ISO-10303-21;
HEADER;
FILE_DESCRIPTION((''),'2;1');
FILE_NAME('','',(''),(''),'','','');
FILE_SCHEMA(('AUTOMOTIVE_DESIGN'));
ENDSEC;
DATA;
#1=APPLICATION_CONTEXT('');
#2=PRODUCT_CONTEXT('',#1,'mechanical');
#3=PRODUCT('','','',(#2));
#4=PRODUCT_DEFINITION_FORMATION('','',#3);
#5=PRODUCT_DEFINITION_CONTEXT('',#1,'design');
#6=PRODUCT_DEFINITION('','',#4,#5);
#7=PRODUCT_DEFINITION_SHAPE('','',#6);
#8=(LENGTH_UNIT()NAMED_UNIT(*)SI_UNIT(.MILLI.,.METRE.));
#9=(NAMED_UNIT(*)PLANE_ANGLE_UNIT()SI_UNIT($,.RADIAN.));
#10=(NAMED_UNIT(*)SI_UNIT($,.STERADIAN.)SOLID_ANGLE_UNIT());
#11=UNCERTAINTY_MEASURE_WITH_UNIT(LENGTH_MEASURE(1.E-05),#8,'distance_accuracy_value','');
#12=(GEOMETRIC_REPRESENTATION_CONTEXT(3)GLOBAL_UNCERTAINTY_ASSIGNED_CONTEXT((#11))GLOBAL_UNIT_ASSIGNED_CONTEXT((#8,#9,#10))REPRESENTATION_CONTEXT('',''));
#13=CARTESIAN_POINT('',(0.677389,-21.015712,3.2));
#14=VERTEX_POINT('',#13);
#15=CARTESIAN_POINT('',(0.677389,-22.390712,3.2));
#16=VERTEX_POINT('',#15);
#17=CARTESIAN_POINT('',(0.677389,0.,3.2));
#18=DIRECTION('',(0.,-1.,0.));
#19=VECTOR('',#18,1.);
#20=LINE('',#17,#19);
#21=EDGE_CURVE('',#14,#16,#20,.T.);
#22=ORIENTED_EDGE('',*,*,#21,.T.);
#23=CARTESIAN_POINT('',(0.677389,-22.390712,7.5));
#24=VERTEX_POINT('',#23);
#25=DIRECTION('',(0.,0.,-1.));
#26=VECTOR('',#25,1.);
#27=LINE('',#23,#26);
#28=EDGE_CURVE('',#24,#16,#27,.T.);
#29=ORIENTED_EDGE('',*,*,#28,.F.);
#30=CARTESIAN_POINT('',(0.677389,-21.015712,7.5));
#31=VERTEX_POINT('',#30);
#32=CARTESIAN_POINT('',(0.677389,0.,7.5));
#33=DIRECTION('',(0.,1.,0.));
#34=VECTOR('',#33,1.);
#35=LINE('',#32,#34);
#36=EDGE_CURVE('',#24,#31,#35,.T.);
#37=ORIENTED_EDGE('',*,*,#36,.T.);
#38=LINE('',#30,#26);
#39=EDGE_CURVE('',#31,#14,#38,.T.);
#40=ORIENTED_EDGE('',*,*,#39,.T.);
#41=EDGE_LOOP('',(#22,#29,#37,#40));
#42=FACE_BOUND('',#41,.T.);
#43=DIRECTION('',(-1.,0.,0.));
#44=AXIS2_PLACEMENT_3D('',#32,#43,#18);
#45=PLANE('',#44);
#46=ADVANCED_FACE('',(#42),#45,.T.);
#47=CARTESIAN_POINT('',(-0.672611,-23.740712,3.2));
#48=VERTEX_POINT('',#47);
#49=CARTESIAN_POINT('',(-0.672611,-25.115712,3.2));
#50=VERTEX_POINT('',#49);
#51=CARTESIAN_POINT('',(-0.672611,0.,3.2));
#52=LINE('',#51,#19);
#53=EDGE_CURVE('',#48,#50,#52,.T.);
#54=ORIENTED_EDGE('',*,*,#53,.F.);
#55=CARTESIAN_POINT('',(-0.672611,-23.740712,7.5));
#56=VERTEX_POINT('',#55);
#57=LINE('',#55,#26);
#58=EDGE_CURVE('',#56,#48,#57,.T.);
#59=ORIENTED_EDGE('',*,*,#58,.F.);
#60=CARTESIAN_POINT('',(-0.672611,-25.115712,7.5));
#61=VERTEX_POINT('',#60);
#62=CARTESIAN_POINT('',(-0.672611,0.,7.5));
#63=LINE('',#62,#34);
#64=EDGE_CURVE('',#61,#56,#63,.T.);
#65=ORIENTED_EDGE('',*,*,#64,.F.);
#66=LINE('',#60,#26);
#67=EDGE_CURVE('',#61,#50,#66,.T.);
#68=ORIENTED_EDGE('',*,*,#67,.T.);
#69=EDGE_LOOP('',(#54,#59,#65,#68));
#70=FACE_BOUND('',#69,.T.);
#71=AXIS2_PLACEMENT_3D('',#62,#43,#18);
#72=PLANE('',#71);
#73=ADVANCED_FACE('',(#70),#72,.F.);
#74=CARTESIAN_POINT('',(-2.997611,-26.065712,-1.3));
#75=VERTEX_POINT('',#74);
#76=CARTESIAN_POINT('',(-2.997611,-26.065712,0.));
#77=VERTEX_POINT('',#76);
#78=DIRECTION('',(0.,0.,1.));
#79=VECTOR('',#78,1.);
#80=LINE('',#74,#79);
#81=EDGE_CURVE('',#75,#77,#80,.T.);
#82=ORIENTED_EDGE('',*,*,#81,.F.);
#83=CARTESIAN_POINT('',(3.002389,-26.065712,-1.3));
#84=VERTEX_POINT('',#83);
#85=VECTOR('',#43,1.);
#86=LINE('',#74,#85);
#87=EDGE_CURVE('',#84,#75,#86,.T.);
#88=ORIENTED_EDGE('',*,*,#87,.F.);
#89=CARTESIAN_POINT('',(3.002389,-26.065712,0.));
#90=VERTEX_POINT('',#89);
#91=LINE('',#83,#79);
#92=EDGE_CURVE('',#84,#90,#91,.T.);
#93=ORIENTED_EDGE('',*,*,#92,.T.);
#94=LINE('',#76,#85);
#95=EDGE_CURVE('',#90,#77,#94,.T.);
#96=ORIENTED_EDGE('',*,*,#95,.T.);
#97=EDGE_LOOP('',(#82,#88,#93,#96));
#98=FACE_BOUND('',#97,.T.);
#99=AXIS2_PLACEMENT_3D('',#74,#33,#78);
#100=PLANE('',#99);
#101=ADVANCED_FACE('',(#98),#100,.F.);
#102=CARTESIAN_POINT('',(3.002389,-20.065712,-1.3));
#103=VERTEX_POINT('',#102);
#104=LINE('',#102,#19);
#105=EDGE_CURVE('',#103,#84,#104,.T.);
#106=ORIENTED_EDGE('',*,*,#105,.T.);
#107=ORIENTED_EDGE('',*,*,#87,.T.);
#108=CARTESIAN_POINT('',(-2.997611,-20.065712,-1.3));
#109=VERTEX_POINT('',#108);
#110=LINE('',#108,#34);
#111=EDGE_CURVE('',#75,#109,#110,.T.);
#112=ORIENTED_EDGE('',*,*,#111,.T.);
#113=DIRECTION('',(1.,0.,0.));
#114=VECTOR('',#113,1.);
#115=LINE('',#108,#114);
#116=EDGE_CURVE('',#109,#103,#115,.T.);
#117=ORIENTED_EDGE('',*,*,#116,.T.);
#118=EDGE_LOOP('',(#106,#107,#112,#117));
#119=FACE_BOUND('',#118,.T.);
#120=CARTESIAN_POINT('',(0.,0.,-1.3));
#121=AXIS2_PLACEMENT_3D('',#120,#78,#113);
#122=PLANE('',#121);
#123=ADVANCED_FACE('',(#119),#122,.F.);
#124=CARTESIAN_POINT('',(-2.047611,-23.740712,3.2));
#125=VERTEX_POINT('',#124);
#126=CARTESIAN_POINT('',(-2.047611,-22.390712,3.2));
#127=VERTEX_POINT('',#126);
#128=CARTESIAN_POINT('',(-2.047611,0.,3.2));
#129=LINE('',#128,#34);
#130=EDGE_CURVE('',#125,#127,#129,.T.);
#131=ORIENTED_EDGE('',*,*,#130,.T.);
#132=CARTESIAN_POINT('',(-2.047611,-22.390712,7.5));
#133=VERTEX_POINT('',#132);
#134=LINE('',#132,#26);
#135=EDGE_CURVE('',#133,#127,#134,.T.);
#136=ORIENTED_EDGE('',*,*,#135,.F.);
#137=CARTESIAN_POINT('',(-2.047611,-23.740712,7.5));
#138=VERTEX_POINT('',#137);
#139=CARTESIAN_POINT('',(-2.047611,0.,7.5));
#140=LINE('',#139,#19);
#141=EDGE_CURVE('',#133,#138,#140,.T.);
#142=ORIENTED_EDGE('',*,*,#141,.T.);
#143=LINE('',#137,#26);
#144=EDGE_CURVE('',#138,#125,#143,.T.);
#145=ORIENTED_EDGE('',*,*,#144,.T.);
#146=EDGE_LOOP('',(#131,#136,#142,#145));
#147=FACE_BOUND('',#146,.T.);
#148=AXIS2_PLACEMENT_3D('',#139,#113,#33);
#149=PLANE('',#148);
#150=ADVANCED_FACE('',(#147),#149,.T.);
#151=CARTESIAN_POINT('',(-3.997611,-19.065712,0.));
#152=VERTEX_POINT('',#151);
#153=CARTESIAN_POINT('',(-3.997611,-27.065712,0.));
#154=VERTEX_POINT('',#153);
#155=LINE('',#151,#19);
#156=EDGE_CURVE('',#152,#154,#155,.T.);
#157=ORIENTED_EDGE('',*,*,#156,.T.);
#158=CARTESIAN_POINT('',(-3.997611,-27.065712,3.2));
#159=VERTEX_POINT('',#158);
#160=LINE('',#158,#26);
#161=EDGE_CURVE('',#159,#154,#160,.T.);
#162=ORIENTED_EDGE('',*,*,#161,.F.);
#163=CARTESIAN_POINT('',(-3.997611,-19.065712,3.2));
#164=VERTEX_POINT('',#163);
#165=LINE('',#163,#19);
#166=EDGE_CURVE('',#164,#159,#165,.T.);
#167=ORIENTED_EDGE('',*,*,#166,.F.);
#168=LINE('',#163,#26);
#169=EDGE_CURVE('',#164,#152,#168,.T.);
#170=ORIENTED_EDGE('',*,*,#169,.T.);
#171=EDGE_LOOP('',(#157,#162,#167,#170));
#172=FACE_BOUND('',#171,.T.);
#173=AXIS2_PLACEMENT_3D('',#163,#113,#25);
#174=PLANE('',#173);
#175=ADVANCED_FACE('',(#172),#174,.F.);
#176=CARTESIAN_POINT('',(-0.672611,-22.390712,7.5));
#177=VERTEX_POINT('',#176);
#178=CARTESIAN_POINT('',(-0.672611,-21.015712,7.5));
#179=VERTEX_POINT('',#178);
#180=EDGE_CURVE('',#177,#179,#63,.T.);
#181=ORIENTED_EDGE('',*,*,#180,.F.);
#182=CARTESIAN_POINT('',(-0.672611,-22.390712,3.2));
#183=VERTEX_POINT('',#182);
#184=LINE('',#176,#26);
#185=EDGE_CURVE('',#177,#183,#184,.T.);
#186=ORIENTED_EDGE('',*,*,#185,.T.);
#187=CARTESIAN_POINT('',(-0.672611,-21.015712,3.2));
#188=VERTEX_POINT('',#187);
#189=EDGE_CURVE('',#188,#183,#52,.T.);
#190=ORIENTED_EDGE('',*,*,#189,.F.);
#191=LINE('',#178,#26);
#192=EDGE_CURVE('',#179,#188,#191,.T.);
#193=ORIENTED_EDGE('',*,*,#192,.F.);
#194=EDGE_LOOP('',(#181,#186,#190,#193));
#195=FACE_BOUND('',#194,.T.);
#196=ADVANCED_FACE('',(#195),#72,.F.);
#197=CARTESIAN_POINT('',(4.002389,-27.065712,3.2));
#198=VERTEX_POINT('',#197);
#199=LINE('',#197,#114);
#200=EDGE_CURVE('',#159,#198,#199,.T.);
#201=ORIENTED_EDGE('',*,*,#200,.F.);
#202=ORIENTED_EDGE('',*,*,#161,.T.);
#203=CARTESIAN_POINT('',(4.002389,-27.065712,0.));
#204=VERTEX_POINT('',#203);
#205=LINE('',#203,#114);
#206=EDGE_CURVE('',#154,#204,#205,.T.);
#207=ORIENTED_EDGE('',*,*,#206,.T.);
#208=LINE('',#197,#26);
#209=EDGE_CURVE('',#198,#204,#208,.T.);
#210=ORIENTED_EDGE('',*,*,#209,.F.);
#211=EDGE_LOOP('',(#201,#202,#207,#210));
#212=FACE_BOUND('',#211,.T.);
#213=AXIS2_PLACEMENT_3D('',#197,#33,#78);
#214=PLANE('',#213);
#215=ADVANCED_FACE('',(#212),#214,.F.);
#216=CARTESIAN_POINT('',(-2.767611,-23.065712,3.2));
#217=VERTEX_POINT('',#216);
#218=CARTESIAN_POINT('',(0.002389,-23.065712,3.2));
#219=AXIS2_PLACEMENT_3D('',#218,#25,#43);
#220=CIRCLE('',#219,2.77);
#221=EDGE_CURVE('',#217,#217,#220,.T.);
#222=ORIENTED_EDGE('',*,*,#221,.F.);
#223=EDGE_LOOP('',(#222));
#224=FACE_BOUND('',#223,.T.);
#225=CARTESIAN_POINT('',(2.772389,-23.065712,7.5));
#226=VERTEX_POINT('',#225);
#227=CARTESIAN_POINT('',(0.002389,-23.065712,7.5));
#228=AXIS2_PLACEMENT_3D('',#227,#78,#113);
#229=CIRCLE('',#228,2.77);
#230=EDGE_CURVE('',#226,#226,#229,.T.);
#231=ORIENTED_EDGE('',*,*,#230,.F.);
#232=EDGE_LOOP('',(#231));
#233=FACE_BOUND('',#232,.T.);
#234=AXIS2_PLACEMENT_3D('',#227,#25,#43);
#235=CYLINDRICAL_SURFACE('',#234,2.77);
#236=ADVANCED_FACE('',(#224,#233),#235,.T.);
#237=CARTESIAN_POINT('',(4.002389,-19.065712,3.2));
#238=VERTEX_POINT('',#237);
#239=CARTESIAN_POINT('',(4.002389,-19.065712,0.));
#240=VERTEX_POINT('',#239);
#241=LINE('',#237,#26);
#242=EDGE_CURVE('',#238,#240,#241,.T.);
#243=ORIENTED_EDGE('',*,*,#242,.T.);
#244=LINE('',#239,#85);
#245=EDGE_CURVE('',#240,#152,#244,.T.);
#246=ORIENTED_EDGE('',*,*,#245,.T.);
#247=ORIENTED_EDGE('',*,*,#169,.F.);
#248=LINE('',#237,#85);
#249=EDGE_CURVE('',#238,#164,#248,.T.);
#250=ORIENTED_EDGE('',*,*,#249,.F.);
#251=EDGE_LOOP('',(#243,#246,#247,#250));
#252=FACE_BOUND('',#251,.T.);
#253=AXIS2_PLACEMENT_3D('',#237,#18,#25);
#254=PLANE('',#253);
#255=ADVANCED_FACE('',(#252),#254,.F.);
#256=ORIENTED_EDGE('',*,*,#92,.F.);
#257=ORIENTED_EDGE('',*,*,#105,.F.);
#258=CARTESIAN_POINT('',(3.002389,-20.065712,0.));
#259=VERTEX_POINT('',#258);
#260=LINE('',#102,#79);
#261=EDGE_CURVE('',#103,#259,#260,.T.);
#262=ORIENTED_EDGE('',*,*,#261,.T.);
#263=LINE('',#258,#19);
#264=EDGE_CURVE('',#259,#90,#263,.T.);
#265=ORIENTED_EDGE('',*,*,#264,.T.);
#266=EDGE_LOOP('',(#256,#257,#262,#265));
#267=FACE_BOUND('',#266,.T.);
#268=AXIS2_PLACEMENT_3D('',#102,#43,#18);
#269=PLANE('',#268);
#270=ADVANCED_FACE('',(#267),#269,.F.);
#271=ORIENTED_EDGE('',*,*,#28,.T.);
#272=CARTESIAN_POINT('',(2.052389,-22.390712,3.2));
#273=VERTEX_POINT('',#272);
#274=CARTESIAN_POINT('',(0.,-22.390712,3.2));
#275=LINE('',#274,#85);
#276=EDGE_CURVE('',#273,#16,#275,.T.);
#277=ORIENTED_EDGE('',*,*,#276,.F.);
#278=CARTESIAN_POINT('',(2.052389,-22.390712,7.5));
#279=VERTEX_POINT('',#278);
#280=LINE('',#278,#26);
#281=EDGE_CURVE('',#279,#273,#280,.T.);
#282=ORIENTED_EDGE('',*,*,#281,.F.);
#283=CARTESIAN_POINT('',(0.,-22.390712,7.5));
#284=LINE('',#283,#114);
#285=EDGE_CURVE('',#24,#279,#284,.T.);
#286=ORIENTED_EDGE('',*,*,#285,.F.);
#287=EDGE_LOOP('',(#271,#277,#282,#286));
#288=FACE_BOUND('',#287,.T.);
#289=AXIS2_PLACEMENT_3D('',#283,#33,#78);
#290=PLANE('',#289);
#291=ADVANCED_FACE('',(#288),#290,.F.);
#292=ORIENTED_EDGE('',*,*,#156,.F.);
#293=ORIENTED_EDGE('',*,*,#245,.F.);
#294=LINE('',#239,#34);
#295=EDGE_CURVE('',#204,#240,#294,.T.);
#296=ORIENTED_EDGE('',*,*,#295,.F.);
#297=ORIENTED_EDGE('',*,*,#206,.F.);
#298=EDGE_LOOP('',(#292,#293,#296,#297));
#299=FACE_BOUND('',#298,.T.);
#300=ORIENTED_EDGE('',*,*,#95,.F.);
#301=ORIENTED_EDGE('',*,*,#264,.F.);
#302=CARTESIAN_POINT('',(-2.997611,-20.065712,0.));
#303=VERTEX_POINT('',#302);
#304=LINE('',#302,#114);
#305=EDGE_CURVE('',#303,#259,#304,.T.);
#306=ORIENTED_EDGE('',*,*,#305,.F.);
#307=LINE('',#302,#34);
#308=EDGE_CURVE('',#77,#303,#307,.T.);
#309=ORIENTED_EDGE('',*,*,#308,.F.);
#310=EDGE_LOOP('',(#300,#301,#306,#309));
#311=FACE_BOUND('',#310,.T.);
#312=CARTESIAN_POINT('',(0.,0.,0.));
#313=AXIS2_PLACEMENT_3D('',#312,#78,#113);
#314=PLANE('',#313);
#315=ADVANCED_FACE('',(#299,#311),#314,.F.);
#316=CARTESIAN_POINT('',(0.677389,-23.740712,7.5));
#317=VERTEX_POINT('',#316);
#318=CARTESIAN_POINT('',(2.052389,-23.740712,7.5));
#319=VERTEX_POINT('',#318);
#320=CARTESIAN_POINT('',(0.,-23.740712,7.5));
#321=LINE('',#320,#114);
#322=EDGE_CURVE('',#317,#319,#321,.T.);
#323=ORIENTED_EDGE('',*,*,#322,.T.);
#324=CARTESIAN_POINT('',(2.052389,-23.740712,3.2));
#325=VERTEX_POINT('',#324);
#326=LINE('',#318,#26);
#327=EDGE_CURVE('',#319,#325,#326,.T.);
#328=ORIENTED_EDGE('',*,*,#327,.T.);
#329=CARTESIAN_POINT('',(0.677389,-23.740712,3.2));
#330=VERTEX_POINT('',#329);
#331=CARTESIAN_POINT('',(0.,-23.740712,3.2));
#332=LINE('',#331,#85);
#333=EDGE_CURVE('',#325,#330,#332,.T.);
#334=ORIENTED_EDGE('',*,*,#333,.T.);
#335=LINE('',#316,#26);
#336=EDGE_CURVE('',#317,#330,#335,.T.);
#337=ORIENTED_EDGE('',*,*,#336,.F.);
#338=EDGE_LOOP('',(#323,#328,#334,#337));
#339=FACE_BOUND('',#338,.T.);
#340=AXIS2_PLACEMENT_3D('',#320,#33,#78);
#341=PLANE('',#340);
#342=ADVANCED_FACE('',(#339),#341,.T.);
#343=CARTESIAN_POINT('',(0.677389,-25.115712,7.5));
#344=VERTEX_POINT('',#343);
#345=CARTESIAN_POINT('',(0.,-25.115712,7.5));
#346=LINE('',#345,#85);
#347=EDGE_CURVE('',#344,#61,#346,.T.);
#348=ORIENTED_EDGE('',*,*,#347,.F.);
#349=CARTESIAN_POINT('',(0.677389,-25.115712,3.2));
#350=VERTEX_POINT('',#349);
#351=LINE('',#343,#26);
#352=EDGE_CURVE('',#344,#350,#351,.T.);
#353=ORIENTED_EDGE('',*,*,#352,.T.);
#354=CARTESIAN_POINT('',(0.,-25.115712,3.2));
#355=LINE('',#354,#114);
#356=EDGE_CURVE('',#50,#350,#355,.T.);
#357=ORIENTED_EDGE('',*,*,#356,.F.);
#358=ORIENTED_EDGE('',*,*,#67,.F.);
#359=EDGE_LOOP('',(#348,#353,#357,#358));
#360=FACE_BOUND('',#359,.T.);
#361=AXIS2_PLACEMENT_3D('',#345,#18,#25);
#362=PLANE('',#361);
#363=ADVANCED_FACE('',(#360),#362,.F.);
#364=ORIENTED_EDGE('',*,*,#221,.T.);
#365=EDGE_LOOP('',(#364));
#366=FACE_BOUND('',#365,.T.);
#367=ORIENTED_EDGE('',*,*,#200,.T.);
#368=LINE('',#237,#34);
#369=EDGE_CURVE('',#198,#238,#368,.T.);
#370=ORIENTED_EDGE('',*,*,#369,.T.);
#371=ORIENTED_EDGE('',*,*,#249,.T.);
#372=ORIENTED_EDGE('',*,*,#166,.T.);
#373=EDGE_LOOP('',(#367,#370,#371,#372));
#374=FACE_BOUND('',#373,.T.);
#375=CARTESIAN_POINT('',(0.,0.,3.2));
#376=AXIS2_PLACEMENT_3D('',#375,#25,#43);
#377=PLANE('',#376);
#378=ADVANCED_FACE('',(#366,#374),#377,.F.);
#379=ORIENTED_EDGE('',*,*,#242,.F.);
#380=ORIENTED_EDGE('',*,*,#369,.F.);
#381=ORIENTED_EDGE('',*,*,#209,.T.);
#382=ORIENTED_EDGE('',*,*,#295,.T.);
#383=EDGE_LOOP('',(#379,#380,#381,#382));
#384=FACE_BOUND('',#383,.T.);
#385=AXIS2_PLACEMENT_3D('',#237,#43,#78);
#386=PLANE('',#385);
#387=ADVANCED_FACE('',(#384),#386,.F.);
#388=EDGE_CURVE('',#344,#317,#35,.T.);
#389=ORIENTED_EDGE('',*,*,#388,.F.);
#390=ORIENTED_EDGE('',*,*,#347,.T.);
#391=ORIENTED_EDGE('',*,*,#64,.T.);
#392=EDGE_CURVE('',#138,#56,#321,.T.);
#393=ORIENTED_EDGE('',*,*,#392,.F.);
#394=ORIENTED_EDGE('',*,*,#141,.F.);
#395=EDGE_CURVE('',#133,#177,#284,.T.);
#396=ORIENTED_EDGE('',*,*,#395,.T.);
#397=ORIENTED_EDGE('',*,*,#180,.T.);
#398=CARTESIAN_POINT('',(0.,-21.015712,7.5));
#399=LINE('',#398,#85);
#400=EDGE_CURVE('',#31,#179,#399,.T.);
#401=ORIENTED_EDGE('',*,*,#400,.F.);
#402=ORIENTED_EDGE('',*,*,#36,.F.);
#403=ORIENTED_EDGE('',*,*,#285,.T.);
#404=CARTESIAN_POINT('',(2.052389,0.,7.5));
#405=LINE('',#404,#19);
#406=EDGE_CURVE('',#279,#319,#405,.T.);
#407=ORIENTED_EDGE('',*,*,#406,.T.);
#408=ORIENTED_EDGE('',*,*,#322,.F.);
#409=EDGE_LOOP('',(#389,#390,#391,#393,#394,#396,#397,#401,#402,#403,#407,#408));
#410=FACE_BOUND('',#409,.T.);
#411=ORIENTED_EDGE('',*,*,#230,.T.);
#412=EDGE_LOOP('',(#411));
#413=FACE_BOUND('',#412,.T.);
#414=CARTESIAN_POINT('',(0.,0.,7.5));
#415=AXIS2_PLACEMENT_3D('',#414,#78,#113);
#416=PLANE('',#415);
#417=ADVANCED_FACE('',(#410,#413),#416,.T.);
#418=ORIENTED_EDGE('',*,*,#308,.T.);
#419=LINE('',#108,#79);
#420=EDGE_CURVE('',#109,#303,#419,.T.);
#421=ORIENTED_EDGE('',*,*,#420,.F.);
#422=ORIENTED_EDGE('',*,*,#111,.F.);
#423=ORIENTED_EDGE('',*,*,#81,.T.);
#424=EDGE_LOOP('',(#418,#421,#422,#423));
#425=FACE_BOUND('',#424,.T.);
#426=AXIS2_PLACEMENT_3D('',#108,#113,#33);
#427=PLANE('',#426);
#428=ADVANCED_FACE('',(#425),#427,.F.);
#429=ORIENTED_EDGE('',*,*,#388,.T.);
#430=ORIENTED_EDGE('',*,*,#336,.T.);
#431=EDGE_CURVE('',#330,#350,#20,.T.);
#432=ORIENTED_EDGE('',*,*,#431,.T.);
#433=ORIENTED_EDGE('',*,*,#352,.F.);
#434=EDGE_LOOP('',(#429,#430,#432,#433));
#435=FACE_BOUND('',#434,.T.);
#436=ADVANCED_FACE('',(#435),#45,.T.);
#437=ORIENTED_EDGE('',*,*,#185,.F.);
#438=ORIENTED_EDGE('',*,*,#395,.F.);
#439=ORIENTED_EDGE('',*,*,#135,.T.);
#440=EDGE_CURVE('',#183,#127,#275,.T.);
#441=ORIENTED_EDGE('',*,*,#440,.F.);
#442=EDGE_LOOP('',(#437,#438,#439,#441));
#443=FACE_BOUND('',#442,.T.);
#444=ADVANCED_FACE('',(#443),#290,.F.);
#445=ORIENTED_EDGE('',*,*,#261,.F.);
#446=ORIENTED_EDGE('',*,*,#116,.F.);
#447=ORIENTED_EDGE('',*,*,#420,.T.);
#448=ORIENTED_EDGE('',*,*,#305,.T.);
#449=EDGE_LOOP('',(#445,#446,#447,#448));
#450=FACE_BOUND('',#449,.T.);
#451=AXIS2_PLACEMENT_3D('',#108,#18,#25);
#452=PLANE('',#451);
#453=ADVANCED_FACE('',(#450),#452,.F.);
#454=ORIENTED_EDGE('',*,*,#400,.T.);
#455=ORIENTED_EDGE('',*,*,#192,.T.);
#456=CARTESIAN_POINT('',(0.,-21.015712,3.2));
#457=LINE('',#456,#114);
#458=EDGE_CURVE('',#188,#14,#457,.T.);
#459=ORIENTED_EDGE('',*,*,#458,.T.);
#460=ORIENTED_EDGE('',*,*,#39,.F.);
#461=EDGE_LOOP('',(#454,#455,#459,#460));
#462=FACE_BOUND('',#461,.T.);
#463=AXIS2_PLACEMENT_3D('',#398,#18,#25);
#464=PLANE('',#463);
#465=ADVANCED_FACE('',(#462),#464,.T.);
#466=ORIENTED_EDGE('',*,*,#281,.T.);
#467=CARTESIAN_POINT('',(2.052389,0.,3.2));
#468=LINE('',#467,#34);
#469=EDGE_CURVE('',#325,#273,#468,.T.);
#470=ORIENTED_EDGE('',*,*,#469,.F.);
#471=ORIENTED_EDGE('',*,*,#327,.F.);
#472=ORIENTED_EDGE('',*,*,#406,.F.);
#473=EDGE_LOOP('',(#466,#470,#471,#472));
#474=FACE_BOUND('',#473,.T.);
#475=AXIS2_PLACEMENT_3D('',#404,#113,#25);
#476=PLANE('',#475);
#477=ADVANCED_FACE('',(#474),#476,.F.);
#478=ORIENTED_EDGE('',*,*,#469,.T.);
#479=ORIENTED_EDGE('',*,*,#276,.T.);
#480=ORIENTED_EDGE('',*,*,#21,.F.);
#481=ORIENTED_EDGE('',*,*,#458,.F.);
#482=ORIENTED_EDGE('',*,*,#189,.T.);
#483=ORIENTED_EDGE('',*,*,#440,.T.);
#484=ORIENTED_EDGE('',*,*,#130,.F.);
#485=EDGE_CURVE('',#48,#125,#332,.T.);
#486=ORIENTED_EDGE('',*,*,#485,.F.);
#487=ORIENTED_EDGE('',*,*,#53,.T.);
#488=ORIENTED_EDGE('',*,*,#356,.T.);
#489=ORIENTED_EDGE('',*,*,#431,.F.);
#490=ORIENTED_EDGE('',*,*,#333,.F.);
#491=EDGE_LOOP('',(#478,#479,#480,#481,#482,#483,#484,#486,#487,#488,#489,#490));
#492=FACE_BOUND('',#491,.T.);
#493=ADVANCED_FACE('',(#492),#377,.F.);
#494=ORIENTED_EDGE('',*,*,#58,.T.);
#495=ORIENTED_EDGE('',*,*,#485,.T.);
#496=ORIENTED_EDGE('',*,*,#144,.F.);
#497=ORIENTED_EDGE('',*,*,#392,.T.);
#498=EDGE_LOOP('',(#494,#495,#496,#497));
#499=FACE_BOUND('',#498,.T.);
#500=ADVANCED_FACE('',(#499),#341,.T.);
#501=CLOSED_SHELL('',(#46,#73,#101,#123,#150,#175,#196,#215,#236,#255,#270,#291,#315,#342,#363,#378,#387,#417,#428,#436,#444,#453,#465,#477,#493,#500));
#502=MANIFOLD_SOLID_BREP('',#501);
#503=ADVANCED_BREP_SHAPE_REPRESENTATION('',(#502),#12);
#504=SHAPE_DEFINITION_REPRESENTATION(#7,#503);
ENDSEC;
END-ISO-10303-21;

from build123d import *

# Parameters (mm, degrees)
BOSS_EXTRUDE1_DEPTH = 7.5
SKETCH7_W           = 8
SKETCH7_H           = 8
BOSS_EXTRUDE2_DEPTH = 3.2
SKETCH8_W           = 6
SKETCH8_H           = 6
BOSS_EXTRUDE3_DEPTH = 1.3


with BuildPart() as part:
    # Sketch6 → Boss-Extrude1 (new body)
    with BuildSketch(Plane(origin=(0, 4.132474232, 0), x_dir=(-1, 0, 0), z_dir=(0, 0, 1))):
        with BuildLine():
            ThreePointArc((-2.772388639, 27.198186003), (-1.961074426, 25.239500222), (-0.002388647, 24.428186003))
            ThreePointArc((-0.002388647, 24.428186003), (1.956297142, 25.239500216), (2.767611361, 27.198186003))
            ThreePointArc((2.767611361, 27.198186003), (1.956297145, 29.156871787), (-0.002388639, 29.968186003))
            ThreePointArc((-0.002388639, 29.968186003), (-1.961074423, 29.156871787), (-2.772388639, 27.198186003))
        make_face()
        Polygon((2.047611361, 27.873186003), (2.047611361, 26.523186003), (0.672611361, 26.523186003), (0.672611361, 25.148186003), (-0.677388639, 25.148186003), (-0.677388639, 26.523186003), (-2.052388639, 26.523186003), (-2.052388639, 27.873186003), (-0.677388639, 27.873186003), (-0.677388639, 29.248186003), (0.672611361, 29.248186003), (0.672611361, 27.873186003), align=None, mode=Mode.SUBTRACT)
    extrude(amount=BOSS_EXTRUDE1_DEPTH)

    # Sketch7 → Boss-Extrude2 (add)
    with BuildSketch(Plane(origin=(0, 0, 0), x_dir=(-1, 0, 0), z_dir=(0, 0, 1))):
        with Locations((-0.002388639, 23.065711771)):
            Rectangle(SKETCH7_W, SKETCH7_H)
    extrude(amount=BOSS_EXTRUDE2_DEPTH)

    # Sketch8 → Boss-Extrude3 (add)
    with BuildSketch(Plane(origin=(0, 0, 0), x_dir=(-1, 0, 0), z_dir=(0, 0, -1))):
        with Locations((-0.002388639, -23.065711771)):
            Rectangle(SKETCH8_W, SKETCH8_H)
    extrude(amount=BOSS_EXTRUDE3_DEPTH)


solid = part.part
